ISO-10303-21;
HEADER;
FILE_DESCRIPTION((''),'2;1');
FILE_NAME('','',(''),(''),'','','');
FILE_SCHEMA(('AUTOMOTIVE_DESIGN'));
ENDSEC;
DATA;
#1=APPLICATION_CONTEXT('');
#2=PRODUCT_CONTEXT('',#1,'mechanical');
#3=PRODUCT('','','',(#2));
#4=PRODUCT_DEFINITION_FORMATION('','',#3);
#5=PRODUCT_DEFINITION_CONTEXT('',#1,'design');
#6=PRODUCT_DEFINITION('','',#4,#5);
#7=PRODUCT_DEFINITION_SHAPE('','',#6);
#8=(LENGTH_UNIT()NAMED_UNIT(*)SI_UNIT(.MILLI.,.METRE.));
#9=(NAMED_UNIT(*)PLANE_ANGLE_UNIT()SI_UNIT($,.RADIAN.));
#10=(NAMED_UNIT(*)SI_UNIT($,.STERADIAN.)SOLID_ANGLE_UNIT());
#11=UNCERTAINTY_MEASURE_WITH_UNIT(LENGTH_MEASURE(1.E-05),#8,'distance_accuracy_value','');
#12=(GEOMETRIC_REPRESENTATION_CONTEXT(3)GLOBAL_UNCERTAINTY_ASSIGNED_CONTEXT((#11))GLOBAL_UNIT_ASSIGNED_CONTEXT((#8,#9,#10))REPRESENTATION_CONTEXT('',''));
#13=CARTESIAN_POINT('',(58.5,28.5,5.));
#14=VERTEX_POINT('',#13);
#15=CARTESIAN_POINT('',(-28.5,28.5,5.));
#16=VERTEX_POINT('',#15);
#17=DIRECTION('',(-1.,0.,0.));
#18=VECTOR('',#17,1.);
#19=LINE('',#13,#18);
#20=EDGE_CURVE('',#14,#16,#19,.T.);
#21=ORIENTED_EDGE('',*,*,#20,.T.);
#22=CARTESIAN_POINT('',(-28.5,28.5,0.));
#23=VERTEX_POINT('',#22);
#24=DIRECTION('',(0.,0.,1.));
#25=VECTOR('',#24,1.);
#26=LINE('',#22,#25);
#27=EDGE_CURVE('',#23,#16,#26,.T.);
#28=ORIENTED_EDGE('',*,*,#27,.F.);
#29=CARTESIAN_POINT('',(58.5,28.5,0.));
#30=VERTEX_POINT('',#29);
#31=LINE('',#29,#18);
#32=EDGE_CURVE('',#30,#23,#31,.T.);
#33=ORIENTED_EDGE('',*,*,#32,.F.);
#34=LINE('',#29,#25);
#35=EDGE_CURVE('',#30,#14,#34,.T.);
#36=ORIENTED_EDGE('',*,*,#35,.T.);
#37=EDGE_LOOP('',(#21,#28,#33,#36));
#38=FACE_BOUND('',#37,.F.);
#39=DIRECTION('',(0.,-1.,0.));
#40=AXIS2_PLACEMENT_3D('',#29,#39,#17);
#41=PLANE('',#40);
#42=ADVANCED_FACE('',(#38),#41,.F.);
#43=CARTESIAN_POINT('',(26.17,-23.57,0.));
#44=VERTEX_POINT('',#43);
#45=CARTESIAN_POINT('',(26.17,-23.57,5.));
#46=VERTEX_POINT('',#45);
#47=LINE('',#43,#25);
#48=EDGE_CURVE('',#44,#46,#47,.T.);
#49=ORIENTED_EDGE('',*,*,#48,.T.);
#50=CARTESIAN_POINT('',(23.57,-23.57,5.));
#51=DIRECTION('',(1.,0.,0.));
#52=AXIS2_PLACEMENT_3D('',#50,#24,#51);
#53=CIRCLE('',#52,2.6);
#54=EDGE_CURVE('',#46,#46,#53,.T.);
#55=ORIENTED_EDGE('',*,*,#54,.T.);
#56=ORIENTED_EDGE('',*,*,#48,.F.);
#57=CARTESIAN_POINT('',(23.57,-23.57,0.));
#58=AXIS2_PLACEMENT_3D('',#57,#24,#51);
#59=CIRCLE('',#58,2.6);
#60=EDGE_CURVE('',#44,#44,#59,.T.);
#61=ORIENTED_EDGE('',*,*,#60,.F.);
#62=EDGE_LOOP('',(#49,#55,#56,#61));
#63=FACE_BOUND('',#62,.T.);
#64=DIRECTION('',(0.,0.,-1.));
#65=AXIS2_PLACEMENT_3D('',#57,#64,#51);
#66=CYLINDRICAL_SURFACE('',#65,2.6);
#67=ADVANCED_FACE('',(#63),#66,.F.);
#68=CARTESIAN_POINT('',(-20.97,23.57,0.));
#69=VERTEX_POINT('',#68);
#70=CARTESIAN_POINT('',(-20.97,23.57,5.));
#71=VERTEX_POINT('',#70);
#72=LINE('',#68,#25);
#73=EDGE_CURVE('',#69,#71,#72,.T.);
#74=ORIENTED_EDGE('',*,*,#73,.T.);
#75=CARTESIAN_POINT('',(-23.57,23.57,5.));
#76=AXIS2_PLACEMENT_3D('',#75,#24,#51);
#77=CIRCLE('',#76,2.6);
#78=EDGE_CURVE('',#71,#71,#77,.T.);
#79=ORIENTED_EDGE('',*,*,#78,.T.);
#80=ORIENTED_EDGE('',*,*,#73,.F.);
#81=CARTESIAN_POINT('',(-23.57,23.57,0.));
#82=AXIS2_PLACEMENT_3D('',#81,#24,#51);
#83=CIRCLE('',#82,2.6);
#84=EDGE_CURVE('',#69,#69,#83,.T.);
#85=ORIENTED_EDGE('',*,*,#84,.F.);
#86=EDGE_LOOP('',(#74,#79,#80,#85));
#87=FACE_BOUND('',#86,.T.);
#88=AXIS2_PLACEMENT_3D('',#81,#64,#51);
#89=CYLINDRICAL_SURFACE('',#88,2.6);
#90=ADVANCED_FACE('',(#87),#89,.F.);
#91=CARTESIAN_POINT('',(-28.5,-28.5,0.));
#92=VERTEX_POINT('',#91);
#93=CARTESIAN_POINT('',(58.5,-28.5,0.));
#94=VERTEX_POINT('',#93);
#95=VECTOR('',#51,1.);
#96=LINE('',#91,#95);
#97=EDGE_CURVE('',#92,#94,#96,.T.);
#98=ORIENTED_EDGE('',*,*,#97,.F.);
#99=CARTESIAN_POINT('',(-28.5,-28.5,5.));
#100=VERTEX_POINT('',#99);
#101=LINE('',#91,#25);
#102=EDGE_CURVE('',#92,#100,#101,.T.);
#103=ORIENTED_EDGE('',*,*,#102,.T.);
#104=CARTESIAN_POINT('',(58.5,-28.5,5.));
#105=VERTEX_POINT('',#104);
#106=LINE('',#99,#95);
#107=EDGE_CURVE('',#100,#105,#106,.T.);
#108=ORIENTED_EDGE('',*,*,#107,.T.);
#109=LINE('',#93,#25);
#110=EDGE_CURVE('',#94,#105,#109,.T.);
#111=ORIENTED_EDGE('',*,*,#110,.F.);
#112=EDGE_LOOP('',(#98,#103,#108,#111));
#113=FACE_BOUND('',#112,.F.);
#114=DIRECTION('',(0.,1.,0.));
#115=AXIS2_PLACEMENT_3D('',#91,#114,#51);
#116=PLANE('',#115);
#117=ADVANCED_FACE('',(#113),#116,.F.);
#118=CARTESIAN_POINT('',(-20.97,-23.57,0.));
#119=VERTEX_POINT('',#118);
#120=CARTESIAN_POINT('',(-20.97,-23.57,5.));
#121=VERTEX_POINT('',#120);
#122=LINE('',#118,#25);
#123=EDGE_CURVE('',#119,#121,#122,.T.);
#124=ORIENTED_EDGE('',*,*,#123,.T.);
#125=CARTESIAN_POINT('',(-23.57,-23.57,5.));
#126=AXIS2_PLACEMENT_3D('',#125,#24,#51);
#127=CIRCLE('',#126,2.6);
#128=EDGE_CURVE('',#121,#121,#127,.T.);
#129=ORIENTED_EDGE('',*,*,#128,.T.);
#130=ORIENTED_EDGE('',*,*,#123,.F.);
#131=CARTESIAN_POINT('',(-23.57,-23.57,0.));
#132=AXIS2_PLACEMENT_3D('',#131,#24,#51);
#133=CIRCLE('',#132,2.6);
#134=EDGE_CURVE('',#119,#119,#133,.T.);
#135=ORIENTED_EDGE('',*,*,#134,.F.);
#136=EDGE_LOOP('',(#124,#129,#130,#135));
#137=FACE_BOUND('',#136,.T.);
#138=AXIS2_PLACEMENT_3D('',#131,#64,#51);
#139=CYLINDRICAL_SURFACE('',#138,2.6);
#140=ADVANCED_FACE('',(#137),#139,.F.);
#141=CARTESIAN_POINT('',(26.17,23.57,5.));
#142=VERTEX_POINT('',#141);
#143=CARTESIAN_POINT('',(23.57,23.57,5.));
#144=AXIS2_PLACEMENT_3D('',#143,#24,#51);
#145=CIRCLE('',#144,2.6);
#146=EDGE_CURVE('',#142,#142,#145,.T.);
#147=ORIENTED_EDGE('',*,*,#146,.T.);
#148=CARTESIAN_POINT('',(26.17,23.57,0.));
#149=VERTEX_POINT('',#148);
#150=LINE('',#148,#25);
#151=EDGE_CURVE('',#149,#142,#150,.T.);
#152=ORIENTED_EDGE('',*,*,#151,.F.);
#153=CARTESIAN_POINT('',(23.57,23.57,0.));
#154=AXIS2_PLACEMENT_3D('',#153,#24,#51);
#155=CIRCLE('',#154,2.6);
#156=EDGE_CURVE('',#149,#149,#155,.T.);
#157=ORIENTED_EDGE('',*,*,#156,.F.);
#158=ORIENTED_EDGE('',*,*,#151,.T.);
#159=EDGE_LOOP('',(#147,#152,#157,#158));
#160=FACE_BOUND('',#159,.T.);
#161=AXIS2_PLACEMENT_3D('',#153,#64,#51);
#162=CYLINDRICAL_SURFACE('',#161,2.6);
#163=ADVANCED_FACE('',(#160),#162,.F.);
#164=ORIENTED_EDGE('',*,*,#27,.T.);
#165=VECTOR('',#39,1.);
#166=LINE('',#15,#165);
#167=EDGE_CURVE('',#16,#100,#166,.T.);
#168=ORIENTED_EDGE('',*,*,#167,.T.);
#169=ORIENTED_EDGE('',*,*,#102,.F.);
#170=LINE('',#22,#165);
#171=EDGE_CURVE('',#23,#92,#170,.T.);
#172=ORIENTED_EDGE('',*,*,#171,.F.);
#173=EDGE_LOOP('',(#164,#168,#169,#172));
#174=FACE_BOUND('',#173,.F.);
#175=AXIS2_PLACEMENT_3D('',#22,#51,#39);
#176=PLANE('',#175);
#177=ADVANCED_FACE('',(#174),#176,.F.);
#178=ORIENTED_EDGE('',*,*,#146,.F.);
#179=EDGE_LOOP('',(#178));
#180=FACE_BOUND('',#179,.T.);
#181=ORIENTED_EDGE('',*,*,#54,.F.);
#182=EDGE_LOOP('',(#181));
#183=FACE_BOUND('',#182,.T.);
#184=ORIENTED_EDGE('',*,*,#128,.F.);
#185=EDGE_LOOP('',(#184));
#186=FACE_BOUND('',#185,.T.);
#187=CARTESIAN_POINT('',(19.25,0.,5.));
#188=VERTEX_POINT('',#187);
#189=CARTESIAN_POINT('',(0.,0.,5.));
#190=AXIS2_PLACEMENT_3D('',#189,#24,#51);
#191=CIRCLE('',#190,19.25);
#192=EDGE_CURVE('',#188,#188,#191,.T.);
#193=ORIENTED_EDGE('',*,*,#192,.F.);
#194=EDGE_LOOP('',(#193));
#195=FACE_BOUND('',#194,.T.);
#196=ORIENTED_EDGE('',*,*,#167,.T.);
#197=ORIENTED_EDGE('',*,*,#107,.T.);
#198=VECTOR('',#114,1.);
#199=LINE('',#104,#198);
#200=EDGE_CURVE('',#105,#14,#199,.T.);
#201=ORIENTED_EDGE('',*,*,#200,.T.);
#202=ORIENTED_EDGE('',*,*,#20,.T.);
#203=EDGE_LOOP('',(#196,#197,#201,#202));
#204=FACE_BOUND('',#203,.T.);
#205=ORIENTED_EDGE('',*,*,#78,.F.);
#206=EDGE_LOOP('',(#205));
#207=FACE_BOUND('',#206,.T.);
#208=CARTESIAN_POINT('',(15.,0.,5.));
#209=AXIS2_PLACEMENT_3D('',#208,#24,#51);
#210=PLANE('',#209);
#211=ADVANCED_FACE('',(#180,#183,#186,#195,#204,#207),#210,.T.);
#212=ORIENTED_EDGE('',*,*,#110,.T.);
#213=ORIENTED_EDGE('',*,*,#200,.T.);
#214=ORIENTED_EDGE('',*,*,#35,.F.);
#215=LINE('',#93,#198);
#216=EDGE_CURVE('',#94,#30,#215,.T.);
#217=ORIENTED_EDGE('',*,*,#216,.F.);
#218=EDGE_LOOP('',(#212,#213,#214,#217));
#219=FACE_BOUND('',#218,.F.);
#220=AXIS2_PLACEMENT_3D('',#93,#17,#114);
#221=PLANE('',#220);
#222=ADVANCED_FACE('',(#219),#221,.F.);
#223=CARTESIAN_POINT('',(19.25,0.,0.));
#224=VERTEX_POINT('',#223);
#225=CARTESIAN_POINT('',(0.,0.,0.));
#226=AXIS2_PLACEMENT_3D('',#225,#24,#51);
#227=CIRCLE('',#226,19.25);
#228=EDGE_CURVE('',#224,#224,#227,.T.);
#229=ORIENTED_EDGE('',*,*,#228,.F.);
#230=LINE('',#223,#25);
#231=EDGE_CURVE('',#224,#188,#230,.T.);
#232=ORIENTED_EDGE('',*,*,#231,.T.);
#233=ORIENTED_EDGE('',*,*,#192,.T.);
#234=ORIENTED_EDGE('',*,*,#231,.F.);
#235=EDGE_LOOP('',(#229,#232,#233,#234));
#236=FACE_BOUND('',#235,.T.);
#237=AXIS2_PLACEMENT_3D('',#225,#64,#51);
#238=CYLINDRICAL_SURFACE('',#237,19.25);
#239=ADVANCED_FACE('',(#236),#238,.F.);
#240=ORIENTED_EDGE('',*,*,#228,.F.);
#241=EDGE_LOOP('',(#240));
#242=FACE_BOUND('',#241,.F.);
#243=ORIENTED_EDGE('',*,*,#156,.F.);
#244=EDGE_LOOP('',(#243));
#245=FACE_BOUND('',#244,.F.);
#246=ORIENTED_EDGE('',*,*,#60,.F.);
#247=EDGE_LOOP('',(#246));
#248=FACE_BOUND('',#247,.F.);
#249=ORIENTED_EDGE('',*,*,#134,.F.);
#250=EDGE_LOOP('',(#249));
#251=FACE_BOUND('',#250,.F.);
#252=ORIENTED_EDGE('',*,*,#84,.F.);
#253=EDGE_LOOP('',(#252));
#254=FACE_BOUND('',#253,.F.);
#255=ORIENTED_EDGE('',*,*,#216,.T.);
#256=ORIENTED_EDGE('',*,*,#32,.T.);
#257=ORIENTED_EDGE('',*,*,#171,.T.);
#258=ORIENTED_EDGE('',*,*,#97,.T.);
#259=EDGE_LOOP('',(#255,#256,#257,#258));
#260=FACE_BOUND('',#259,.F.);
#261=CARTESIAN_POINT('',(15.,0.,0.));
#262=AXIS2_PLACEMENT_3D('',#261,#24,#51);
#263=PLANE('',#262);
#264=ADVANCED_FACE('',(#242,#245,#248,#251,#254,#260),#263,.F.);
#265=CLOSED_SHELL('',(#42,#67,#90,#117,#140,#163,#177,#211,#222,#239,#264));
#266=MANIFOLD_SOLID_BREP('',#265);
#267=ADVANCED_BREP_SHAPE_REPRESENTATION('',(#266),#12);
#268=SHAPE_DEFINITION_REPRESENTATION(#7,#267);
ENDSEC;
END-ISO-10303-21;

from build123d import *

# Parameters (mm, degrees)
F0_R     = 2.6
F0_R_2   = 19.25
F1_DEPTH = 5


with BuildPart() as f1:
    # F0 (on Top) → F1 (new body)
    with BuildSketch(Plane.XY):
        Polygon((-28.5, -28.5), (28.5, -28.5), (58.5, -28.5), (58.5, 28.5), (28.5, 28.5), (-28.5, 28.5), align=None)
        with Locations((-23.57, -23.57)):
            Circle(F0_R, mode=Mode.SUBTRACT)
        with Locations((23.57, -23.57)):
            Circle(F0_R, mode=Mode.SUBTRACT)
        Circle(F0_R_2, mode=Mode.SUBTRACT)
        with Locations((-23.57, 23.57)):
            Circle(F0_R, mode=Mode.SUBTRACT)
        with Locations((23.57, 23.57)):
            Circle(F0_R, mode=Mode.SUBTRACT)
    extrude(amount=F1_DEPTH)


solid = f1.part
